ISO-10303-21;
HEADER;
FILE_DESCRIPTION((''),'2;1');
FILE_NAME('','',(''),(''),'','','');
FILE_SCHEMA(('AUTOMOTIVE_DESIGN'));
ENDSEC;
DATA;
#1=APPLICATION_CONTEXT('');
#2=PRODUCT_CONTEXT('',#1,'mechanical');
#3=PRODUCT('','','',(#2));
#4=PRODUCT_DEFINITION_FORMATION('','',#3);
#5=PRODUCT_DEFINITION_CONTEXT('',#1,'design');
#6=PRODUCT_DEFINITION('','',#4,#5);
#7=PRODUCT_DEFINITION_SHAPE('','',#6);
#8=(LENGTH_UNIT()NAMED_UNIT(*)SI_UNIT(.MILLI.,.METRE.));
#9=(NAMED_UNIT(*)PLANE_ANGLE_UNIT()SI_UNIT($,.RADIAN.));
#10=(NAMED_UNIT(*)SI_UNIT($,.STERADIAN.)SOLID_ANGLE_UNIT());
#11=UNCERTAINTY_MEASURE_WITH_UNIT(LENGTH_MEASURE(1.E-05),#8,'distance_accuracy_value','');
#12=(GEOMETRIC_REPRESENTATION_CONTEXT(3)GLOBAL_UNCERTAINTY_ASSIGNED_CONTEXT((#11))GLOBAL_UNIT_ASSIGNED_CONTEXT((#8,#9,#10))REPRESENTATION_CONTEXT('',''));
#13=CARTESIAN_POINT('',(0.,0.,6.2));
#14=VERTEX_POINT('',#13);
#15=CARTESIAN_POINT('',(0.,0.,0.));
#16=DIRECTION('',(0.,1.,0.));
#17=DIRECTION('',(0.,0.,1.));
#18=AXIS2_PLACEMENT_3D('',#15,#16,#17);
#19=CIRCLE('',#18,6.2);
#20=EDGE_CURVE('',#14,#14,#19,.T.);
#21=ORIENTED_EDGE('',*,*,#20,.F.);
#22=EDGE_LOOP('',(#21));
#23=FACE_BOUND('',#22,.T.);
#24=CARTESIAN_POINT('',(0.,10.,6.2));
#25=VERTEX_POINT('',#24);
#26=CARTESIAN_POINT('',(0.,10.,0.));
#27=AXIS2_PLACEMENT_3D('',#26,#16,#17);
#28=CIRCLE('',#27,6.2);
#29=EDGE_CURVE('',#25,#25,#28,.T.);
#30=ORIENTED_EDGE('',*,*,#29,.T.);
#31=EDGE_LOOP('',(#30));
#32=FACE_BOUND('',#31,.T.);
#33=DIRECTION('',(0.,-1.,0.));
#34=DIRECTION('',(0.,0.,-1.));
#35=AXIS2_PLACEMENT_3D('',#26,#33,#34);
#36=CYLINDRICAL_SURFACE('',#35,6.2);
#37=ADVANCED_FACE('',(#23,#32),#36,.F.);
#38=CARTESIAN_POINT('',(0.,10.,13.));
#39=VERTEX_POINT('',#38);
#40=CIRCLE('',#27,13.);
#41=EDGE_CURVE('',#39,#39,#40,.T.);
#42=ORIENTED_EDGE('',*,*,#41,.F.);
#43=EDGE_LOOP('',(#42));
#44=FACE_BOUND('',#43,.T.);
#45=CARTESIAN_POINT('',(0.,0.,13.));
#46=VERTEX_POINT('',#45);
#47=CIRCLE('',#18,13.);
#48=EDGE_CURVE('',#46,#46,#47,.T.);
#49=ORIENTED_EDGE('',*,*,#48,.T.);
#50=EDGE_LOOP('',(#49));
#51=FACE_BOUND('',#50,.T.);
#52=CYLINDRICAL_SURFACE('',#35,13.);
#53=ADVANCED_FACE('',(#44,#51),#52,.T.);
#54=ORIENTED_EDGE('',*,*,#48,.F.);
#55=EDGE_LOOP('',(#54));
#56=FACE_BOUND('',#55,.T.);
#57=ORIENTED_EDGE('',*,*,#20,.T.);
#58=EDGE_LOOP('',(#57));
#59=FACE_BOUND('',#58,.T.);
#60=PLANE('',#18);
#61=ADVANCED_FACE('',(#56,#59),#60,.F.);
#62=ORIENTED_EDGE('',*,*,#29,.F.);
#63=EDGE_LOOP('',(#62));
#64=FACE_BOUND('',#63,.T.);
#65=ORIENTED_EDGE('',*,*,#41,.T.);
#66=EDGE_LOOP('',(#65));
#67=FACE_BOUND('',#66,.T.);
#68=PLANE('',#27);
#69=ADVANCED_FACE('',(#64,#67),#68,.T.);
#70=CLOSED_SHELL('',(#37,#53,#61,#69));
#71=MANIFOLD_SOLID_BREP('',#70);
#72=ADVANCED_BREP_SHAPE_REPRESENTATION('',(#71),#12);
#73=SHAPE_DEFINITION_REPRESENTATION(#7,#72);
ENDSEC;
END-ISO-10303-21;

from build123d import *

# Parameters (mm, degrees)
SKETCH1_R           = 13
SKETCH1_R_2         = 6.2
BOSS_EXTRUDE1_DEPTH = 10


with BuildPart() as part:
    # Sketch1 → Boss-Extrude1 (new body)
    with BuildSketch(Plane(origin=(0, 0, 0), x_dir=(1, 0, 0), z_dir=(0, 1, 0))):
        with Locations(Location((0, 0, 0), (0, 0, 270))):
            Circle(SKETCH1_R)
        with Locations(Location((0, 0, 0), (0, 0, 270))):
            Circle(SKETCH1_R_2, mode=Mode.SUBTRACT)
    extrude(amount=BOSS_EXTRUDE1_DEPTH)


solid = part.part
